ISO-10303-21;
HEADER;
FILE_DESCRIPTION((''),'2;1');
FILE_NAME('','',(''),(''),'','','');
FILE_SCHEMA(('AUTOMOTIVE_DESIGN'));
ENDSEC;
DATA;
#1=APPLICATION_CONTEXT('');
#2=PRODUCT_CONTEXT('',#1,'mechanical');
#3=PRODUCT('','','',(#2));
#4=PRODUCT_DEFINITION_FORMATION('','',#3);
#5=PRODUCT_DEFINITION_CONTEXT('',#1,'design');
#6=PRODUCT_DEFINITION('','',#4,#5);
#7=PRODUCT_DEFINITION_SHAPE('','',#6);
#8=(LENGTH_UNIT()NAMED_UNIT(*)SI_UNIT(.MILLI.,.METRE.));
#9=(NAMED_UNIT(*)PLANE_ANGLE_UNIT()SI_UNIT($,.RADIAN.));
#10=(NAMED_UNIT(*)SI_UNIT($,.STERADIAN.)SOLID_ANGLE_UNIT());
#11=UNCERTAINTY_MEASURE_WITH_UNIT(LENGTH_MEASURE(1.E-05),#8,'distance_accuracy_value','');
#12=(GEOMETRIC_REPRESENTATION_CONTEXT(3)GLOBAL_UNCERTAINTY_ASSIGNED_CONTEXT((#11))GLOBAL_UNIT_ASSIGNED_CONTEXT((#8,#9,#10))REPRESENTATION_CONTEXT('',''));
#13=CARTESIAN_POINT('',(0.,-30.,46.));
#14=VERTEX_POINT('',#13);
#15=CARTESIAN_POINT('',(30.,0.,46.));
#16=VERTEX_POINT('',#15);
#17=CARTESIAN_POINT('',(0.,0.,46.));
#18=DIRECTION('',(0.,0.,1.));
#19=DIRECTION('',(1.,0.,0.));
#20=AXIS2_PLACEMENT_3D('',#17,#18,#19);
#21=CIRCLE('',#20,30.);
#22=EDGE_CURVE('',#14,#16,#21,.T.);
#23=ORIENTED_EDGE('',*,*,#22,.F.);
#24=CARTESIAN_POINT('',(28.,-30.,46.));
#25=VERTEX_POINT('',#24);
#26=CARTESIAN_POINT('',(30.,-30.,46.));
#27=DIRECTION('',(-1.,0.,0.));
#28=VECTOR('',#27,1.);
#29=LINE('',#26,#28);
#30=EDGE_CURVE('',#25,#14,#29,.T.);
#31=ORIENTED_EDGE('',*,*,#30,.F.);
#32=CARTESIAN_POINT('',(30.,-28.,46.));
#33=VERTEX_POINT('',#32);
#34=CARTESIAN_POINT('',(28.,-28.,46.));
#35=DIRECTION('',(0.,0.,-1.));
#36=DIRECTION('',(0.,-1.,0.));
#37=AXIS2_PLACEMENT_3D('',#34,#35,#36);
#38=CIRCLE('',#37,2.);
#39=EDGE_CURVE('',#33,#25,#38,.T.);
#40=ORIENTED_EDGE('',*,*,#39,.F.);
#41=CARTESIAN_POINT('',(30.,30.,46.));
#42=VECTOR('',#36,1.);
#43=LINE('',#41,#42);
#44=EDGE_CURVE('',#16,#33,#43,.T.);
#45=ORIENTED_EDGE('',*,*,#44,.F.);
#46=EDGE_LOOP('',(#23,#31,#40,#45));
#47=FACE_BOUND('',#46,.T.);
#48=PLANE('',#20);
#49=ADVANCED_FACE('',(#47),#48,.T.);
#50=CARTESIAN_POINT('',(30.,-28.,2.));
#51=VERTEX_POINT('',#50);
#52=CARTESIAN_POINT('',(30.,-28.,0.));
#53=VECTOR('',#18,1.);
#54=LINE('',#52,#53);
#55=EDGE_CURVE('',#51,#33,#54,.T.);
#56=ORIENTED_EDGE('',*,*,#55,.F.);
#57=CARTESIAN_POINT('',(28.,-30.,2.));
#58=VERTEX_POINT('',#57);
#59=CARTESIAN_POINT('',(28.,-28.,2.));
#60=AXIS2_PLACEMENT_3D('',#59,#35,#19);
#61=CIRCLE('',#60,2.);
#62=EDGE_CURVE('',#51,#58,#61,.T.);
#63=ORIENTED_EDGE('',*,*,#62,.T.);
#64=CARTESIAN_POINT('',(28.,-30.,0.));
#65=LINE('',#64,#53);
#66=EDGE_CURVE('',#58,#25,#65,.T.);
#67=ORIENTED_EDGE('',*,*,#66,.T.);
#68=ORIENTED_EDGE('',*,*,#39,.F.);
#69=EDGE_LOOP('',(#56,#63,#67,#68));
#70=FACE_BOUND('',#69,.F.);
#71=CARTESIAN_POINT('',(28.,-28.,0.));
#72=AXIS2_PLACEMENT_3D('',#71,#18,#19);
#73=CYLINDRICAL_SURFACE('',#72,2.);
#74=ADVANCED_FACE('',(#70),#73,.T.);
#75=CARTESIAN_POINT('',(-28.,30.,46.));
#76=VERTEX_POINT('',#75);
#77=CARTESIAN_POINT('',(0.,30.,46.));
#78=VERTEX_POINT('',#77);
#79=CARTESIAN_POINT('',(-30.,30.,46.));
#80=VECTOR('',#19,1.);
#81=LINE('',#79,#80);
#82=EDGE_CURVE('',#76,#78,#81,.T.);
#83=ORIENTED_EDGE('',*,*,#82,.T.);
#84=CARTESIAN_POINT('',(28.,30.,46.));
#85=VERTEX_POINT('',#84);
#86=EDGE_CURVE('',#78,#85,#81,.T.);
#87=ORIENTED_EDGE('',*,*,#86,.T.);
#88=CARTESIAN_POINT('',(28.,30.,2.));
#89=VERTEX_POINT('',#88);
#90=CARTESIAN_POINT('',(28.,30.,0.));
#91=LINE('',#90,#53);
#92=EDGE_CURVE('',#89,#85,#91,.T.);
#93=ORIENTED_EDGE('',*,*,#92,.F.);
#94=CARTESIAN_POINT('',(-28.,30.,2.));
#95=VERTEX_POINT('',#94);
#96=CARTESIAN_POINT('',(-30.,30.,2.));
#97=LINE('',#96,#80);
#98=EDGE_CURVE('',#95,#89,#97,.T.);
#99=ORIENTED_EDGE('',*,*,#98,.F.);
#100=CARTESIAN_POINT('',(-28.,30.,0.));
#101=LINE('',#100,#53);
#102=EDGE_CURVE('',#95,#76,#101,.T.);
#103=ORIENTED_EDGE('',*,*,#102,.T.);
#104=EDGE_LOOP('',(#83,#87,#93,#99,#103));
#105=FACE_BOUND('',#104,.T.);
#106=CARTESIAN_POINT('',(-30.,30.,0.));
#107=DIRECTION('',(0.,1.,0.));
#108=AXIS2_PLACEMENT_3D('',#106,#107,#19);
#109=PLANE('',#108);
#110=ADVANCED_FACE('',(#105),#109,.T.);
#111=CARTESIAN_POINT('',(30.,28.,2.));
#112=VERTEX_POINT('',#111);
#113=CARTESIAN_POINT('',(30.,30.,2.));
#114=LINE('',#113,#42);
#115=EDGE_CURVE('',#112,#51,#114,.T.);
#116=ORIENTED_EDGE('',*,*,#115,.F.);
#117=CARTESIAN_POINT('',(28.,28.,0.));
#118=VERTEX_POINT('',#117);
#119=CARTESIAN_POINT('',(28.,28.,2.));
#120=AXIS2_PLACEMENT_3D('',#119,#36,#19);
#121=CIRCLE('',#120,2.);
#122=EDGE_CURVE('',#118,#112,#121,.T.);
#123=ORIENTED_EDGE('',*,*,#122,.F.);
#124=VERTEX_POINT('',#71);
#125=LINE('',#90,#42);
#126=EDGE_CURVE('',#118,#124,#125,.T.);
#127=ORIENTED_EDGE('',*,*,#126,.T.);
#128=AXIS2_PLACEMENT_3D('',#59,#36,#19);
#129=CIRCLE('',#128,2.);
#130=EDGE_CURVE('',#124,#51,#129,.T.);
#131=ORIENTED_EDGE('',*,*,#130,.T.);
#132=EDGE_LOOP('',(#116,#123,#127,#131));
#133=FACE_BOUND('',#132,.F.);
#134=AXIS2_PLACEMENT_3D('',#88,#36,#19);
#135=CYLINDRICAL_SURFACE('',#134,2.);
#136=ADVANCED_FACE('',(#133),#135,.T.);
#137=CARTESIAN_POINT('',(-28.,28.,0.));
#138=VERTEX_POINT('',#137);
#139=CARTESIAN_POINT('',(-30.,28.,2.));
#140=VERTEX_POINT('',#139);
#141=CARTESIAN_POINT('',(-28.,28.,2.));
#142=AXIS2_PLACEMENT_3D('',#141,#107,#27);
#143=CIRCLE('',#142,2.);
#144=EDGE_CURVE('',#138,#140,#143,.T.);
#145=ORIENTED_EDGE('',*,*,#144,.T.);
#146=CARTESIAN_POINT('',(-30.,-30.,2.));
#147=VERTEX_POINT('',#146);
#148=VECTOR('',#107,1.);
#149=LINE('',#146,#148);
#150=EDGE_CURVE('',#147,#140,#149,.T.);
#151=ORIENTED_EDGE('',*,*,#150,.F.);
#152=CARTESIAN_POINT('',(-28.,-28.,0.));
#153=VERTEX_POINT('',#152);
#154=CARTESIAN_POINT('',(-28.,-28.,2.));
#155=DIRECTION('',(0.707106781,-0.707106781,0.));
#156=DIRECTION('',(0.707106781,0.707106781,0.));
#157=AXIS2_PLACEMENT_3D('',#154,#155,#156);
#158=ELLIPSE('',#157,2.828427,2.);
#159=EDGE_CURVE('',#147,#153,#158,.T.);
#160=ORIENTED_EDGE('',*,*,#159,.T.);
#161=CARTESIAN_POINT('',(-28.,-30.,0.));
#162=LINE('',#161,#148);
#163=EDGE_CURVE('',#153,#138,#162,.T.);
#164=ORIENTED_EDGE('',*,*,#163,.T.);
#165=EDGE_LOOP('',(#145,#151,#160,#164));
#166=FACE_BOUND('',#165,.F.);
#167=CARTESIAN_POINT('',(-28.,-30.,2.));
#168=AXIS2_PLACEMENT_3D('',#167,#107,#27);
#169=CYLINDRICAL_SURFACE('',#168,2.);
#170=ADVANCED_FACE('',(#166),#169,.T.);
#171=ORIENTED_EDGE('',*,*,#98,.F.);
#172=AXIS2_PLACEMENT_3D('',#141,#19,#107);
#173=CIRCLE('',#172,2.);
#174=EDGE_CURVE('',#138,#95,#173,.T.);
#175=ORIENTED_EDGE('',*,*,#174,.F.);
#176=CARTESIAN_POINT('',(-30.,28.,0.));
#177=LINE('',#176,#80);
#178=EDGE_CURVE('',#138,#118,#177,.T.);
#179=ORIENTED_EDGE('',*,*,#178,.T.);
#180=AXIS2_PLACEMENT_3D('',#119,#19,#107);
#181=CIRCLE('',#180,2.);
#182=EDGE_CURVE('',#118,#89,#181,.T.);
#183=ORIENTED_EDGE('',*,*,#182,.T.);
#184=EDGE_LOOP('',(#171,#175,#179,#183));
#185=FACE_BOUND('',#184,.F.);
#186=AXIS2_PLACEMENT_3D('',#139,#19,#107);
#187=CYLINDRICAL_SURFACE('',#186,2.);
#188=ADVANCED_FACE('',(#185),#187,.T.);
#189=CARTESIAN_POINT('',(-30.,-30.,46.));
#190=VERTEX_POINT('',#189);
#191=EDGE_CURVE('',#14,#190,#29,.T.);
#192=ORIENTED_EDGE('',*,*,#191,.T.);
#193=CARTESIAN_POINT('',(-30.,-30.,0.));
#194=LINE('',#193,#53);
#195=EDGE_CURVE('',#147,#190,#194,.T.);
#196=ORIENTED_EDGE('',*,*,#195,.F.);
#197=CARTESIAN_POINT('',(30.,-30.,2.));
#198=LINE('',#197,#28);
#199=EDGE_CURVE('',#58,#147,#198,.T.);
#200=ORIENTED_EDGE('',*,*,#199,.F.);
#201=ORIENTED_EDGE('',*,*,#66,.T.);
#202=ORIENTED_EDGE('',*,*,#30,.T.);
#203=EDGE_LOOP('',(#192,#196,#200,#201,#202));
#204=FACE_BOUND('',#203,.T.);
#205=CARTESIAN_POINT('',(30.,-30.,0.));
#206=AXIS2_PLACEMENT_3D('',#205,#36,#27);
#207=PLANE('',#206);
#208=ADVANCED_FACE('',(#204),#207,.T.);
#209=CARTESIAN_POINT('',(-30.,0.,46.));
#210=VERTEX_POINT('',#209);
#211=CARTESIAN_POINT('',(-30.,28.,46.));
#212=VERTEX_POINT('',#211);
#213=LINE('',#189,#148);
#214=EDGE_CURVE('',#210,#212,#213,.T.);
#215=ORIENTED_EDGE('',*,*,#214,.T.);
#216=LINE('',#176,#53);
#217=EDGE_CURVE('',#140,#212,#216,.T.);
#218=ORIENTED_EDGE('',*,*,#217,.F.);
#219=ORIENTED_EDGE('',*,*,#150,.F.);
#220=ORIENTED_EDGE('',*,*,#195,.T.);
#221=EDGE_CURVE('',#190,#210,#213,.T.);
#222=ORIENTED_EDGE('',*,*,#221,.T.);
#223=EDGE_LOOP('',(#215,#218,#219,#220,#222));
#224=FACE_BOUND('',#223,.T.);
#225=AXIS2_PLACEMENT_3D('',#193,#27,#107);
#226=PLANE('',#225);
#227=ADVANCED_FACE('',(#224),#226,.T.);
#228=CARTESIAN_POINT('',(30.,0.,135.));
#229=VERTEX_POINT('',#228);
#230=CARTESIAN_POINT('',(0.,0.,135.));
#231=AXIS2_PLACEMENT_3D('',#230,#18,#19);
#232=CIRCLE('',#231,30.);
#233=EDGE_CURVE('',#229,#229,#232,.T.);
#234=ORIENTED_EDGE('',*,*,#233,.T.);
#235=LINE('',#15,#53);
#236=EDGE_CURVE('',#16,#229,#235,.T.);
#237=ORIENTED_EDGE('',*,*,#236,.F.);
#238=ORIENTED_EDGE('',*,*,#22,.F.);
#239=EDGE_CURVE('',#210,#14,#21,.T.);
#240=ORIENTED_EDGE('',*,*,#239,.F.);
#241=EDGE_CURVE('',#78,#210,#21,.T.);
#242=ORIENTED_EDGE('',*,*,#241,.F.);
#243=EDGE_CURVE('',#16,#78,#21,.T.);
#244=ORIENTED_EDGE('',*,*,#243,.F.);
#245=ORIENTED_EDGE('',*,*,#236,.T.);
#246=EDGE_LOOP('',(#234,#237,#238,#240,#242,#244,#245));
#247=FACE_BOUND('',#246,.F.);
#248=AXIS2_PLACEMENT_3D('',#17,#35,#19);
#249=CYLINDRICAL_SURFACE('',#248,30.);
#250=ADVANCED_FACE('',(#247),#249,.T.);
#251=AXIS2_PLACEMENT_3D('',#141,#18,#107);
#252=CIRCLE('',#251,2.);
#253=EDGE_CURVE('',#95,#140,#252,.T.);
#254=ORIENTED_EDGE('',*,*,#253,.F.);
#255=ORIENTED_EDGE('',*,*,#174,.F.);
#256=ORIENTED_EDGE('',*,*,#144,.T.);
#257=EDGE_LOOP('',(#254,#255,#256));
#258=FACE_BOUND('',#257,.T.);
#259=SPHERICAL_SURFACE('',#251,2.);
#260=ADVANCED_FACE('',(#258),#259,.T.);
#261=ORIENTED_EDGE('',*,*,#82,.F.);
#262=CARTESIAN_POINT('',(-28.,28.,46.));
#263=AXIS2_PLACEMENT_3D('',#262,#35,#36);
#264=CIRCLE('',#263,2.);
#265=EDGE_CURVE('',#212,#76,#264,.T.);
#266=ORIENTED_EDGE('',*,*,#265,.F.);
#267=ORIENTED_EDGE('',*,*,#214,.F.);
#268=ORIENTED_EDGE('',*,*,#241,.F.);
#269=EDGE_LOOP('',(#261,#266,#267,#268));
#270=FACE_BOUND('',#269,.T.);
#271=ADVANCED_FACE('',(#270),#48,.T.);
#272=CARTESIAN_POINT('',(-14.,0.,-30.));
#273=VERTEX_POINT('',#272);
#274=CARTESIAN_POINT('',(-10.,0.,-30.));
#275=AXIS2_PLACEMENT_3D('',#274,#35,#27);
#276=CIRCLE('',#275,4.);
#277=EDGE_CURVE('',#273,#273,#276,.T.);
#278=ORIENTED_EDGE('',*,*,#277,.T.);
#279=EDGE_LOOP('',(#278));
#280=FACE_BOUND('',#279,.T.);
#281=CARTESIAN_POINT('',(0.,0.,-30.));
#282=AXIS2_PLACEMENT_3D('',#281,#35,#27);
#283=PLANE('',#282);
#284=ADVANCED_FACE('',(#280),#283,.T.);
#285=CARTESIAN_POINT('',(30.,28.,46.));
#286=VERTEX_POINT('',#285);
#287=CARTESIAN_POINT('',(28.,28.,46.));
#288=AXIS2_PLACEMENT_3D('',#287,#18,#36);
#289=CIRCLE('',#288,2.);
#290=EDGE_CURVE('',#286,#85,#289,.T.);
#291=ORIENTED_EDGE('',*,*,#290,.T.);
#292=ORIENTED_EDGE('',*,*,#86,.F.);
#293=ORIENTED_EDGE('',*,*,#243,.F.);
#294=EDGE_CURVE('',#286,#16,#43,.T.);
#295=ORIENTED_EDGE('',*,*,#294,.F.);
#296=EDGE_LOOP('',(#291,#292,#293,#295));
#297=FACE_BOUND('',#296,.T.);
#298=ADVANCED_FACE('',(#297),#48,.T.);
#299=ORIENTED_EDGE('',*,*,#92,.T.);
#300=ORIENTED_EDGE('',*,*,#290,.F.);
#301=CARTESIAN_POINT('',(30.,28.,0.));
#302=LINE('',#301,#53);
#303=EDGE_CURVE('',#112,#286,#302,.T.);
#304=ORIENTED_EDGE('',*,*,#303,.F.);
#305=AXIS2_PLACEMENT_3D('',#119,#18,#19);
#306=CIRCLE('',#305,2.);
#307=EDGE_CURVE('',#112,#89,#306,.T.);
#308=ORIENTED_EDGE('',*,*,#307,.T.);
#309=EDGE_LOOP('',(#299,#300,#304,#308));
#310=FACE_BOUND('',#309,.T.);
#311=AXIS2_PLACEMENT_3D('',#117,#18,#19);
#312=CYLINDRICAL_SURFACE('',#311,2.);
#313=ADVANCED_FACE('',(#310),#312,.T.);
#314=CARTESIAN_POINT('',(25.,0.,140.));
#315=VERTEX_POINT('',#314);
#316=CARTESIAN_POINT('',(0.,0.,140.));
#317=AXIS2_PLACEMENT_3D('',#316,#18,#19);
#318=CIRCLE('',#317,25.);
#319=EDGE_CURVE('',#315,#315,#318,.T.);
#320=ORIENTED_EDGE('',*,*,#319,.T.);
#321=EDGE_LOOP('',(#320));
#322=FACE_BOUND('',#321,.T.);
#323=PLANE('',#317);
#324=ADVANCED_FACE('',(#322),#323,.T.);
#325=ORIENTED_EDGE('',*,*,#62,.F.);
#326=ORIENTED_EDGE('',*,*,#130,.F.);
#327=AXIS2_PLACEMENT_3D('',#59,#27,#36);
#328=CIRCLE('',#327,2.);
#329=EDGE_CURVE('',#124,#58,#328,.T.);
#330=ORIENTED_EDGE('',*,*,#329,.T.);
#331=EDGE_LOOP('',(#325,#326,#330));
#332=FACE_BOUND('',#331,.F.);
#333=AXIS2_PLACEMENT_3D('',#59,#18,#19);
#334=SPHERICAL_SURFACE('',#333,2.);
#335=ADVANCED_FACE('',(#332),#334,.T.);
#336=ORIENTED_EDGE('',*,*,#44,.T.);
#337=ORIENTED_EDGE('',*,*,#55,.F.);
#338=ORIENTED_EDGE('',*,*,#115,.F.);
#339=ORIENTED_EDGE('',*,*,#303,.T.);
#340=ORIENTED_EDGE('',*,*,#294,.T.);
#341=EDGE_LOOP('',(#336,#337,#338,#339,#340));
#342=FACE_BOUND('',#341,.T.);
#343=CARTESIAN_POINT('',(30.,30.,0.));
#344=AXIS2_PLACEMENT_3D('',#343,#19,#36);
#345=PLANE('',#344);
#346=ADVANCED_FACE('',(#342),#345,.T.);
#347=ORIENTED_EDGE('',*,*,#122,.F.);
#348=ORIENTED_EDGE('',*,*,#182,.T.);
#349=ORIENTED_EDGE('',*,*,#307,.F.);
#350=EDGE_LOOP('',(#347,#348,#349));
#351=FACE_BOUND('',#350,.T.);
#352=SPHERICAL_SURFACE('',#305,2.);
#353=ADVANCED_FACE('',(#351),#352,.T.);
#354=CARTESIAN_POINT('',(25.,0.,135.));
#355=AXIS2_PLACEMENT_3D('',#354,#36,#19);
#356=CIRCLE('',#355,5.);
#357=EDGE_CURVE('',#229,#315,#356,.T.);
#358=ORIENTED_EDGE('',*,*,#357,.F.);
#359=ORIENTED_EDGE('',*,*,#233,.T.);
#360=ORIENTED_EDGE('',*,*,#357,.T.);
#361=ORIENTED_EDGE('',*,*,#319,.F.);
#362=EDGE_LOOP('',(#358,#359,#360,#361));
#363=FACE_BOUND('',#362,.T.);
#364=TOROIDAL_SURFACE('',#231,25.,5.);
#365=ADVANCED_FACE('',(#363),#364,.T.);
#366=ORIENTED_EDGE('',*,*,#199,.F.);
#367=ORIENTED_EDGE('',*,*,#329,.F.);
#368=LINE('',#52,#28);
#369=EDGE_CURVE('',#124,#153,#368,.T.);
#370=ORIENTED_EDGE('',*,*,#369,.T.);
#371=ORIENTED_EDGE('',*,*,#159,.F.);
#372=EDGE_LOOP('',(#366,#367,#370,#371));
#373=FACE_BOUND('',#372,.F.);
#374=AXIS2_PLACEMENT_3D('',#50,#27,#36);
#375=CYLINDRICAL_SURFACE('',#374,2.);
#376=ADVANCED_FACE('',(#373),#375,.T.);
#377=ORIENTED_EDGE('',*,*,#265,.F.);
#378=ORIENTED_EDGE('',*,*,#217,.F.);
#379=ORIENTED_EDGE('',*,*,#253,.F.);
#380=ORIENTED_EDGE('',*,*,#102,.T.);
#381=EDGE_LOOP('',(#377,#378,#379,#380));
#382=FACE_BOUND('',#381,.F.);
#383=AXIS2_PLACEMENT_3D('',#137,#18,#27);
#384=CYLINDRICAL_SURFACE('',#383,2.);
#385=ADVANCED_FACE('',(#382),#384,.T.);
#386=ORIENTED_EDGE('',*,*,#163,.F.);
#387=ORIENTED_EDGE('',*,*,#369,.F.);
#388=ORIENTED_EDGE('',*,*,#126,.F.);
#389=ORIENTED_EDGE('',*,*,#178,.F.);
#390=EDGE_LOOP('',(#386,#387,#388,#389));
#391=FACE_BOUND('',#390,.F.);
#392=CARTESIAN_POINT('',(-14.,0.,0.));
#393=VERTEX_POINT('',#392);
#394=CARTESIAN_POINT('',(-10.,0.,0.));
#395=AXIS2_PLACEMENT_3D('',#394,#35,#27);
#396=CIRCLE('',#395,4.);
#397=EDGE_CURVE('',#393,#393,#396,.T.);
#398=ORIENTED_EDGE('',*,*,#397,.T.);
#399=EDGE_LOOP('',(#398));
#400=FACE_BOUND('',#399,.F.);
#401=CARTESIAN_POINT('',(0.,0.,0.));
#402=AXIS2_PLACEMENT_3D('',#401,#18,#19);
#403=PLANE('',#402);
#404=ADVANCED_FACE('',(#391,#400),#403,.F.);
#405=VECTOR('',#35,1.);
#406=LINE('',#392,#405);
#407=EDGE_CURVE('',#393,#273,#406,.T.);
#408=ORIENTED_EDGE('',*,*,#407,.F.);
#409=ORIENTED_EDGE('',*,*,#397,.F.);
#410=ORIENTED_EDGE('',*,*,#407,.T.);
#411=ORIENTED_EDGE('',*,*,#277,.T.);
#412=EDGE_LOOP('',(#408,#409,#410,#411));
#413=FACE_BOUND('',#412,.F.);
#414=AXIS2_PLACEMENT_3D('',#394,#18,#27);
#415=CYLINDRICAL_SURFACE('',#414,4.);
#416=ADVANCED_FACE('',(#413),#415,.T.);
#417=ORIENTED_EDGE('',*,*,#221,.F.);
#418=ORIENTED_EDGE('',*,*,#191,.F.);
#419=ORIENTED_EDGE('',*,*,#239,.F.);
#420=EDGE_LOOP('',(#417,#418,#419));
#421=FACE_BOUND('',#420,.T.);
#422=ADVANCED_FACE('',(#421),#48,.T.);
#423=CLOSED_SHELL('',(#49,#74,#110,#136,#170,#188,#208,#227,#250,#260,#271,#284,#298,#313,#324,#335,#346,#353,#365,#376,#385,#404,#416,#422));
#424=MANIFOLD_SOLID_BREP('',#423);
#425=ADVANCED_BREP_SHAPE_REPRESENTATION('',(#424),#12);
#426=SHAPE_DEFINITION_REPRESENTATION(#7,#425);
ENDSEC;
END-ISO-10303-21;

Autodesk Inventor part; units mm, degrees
ref_plane "YZ Plane" through (0, 0, 0) normal (1, 0, 0) x (0, 1, 0)
ref_plane "XZ Plane" through (0, 0, 0) normal (0, 1, 0) x (-1, 0, 0)
ref_plane "XY Plane" through (0, 0, 0) normal (0, 0, 1) x (1, 0, 0)
sketch "Sketch1" plane through (0, 0, 0) normal (0, 0, 1) x (1, 0, 0)
  line L0 (-30, 30) -> (30, 30)
  line L1 (30, 30) -> (30, -30)
  line L2 (30, -30) -> (-30, -30)
  line L3 (-30, -30) -> (-30, 30)
  point P0 (0, 0)
  dimension "d0" = 60
  dimension "d1" = 60
  dimension "d2" = 30
  dimension "d3" = 30
extrude "Extrusion1" add sketch "Sketch1" along normal blind 46
sketch "Sketch2" plane through (0, 0, 46) normal (0, 0, 1) x (1, 0, 0)
  circle A0 centre (0, 0) radius 30
  dimension "d14" = 60
extrude "Extrusion2" add sketch "Sketch2" along normal blind 94
fillet "Fillet1" radius 5 1 edges at (-30, 0, 140)
fillet "Fillet2" radius 2 7 edges at (30, 30, 23) (30, -30, 23) (30, 0, 0) (-30, 30, 23) (0, 30, 0) (-30, 0, 0) (0, -30, 0)
sketch "Sketch3" plane through (0, 0, 0) normal (0, 0, -1) x (-1, 0, 0)
  line L0 (30, -30) -> (30, 28) projected
  line L1 (30, 0) -> (10, 0)
  circle A0 centre (10, 0) radius 4
  point P0 (0, 0)
  dimension "d10" = 20
  dimension "d11" = 8
  dimension "d15" = 0
extrude "Extrusion3" add sketch "Sketch3" along normal blind 30
equation "\"d2\" = 0.5 * d0"
equation "\"d3\" = 0.5 * d1"
properties part number "Motor"
